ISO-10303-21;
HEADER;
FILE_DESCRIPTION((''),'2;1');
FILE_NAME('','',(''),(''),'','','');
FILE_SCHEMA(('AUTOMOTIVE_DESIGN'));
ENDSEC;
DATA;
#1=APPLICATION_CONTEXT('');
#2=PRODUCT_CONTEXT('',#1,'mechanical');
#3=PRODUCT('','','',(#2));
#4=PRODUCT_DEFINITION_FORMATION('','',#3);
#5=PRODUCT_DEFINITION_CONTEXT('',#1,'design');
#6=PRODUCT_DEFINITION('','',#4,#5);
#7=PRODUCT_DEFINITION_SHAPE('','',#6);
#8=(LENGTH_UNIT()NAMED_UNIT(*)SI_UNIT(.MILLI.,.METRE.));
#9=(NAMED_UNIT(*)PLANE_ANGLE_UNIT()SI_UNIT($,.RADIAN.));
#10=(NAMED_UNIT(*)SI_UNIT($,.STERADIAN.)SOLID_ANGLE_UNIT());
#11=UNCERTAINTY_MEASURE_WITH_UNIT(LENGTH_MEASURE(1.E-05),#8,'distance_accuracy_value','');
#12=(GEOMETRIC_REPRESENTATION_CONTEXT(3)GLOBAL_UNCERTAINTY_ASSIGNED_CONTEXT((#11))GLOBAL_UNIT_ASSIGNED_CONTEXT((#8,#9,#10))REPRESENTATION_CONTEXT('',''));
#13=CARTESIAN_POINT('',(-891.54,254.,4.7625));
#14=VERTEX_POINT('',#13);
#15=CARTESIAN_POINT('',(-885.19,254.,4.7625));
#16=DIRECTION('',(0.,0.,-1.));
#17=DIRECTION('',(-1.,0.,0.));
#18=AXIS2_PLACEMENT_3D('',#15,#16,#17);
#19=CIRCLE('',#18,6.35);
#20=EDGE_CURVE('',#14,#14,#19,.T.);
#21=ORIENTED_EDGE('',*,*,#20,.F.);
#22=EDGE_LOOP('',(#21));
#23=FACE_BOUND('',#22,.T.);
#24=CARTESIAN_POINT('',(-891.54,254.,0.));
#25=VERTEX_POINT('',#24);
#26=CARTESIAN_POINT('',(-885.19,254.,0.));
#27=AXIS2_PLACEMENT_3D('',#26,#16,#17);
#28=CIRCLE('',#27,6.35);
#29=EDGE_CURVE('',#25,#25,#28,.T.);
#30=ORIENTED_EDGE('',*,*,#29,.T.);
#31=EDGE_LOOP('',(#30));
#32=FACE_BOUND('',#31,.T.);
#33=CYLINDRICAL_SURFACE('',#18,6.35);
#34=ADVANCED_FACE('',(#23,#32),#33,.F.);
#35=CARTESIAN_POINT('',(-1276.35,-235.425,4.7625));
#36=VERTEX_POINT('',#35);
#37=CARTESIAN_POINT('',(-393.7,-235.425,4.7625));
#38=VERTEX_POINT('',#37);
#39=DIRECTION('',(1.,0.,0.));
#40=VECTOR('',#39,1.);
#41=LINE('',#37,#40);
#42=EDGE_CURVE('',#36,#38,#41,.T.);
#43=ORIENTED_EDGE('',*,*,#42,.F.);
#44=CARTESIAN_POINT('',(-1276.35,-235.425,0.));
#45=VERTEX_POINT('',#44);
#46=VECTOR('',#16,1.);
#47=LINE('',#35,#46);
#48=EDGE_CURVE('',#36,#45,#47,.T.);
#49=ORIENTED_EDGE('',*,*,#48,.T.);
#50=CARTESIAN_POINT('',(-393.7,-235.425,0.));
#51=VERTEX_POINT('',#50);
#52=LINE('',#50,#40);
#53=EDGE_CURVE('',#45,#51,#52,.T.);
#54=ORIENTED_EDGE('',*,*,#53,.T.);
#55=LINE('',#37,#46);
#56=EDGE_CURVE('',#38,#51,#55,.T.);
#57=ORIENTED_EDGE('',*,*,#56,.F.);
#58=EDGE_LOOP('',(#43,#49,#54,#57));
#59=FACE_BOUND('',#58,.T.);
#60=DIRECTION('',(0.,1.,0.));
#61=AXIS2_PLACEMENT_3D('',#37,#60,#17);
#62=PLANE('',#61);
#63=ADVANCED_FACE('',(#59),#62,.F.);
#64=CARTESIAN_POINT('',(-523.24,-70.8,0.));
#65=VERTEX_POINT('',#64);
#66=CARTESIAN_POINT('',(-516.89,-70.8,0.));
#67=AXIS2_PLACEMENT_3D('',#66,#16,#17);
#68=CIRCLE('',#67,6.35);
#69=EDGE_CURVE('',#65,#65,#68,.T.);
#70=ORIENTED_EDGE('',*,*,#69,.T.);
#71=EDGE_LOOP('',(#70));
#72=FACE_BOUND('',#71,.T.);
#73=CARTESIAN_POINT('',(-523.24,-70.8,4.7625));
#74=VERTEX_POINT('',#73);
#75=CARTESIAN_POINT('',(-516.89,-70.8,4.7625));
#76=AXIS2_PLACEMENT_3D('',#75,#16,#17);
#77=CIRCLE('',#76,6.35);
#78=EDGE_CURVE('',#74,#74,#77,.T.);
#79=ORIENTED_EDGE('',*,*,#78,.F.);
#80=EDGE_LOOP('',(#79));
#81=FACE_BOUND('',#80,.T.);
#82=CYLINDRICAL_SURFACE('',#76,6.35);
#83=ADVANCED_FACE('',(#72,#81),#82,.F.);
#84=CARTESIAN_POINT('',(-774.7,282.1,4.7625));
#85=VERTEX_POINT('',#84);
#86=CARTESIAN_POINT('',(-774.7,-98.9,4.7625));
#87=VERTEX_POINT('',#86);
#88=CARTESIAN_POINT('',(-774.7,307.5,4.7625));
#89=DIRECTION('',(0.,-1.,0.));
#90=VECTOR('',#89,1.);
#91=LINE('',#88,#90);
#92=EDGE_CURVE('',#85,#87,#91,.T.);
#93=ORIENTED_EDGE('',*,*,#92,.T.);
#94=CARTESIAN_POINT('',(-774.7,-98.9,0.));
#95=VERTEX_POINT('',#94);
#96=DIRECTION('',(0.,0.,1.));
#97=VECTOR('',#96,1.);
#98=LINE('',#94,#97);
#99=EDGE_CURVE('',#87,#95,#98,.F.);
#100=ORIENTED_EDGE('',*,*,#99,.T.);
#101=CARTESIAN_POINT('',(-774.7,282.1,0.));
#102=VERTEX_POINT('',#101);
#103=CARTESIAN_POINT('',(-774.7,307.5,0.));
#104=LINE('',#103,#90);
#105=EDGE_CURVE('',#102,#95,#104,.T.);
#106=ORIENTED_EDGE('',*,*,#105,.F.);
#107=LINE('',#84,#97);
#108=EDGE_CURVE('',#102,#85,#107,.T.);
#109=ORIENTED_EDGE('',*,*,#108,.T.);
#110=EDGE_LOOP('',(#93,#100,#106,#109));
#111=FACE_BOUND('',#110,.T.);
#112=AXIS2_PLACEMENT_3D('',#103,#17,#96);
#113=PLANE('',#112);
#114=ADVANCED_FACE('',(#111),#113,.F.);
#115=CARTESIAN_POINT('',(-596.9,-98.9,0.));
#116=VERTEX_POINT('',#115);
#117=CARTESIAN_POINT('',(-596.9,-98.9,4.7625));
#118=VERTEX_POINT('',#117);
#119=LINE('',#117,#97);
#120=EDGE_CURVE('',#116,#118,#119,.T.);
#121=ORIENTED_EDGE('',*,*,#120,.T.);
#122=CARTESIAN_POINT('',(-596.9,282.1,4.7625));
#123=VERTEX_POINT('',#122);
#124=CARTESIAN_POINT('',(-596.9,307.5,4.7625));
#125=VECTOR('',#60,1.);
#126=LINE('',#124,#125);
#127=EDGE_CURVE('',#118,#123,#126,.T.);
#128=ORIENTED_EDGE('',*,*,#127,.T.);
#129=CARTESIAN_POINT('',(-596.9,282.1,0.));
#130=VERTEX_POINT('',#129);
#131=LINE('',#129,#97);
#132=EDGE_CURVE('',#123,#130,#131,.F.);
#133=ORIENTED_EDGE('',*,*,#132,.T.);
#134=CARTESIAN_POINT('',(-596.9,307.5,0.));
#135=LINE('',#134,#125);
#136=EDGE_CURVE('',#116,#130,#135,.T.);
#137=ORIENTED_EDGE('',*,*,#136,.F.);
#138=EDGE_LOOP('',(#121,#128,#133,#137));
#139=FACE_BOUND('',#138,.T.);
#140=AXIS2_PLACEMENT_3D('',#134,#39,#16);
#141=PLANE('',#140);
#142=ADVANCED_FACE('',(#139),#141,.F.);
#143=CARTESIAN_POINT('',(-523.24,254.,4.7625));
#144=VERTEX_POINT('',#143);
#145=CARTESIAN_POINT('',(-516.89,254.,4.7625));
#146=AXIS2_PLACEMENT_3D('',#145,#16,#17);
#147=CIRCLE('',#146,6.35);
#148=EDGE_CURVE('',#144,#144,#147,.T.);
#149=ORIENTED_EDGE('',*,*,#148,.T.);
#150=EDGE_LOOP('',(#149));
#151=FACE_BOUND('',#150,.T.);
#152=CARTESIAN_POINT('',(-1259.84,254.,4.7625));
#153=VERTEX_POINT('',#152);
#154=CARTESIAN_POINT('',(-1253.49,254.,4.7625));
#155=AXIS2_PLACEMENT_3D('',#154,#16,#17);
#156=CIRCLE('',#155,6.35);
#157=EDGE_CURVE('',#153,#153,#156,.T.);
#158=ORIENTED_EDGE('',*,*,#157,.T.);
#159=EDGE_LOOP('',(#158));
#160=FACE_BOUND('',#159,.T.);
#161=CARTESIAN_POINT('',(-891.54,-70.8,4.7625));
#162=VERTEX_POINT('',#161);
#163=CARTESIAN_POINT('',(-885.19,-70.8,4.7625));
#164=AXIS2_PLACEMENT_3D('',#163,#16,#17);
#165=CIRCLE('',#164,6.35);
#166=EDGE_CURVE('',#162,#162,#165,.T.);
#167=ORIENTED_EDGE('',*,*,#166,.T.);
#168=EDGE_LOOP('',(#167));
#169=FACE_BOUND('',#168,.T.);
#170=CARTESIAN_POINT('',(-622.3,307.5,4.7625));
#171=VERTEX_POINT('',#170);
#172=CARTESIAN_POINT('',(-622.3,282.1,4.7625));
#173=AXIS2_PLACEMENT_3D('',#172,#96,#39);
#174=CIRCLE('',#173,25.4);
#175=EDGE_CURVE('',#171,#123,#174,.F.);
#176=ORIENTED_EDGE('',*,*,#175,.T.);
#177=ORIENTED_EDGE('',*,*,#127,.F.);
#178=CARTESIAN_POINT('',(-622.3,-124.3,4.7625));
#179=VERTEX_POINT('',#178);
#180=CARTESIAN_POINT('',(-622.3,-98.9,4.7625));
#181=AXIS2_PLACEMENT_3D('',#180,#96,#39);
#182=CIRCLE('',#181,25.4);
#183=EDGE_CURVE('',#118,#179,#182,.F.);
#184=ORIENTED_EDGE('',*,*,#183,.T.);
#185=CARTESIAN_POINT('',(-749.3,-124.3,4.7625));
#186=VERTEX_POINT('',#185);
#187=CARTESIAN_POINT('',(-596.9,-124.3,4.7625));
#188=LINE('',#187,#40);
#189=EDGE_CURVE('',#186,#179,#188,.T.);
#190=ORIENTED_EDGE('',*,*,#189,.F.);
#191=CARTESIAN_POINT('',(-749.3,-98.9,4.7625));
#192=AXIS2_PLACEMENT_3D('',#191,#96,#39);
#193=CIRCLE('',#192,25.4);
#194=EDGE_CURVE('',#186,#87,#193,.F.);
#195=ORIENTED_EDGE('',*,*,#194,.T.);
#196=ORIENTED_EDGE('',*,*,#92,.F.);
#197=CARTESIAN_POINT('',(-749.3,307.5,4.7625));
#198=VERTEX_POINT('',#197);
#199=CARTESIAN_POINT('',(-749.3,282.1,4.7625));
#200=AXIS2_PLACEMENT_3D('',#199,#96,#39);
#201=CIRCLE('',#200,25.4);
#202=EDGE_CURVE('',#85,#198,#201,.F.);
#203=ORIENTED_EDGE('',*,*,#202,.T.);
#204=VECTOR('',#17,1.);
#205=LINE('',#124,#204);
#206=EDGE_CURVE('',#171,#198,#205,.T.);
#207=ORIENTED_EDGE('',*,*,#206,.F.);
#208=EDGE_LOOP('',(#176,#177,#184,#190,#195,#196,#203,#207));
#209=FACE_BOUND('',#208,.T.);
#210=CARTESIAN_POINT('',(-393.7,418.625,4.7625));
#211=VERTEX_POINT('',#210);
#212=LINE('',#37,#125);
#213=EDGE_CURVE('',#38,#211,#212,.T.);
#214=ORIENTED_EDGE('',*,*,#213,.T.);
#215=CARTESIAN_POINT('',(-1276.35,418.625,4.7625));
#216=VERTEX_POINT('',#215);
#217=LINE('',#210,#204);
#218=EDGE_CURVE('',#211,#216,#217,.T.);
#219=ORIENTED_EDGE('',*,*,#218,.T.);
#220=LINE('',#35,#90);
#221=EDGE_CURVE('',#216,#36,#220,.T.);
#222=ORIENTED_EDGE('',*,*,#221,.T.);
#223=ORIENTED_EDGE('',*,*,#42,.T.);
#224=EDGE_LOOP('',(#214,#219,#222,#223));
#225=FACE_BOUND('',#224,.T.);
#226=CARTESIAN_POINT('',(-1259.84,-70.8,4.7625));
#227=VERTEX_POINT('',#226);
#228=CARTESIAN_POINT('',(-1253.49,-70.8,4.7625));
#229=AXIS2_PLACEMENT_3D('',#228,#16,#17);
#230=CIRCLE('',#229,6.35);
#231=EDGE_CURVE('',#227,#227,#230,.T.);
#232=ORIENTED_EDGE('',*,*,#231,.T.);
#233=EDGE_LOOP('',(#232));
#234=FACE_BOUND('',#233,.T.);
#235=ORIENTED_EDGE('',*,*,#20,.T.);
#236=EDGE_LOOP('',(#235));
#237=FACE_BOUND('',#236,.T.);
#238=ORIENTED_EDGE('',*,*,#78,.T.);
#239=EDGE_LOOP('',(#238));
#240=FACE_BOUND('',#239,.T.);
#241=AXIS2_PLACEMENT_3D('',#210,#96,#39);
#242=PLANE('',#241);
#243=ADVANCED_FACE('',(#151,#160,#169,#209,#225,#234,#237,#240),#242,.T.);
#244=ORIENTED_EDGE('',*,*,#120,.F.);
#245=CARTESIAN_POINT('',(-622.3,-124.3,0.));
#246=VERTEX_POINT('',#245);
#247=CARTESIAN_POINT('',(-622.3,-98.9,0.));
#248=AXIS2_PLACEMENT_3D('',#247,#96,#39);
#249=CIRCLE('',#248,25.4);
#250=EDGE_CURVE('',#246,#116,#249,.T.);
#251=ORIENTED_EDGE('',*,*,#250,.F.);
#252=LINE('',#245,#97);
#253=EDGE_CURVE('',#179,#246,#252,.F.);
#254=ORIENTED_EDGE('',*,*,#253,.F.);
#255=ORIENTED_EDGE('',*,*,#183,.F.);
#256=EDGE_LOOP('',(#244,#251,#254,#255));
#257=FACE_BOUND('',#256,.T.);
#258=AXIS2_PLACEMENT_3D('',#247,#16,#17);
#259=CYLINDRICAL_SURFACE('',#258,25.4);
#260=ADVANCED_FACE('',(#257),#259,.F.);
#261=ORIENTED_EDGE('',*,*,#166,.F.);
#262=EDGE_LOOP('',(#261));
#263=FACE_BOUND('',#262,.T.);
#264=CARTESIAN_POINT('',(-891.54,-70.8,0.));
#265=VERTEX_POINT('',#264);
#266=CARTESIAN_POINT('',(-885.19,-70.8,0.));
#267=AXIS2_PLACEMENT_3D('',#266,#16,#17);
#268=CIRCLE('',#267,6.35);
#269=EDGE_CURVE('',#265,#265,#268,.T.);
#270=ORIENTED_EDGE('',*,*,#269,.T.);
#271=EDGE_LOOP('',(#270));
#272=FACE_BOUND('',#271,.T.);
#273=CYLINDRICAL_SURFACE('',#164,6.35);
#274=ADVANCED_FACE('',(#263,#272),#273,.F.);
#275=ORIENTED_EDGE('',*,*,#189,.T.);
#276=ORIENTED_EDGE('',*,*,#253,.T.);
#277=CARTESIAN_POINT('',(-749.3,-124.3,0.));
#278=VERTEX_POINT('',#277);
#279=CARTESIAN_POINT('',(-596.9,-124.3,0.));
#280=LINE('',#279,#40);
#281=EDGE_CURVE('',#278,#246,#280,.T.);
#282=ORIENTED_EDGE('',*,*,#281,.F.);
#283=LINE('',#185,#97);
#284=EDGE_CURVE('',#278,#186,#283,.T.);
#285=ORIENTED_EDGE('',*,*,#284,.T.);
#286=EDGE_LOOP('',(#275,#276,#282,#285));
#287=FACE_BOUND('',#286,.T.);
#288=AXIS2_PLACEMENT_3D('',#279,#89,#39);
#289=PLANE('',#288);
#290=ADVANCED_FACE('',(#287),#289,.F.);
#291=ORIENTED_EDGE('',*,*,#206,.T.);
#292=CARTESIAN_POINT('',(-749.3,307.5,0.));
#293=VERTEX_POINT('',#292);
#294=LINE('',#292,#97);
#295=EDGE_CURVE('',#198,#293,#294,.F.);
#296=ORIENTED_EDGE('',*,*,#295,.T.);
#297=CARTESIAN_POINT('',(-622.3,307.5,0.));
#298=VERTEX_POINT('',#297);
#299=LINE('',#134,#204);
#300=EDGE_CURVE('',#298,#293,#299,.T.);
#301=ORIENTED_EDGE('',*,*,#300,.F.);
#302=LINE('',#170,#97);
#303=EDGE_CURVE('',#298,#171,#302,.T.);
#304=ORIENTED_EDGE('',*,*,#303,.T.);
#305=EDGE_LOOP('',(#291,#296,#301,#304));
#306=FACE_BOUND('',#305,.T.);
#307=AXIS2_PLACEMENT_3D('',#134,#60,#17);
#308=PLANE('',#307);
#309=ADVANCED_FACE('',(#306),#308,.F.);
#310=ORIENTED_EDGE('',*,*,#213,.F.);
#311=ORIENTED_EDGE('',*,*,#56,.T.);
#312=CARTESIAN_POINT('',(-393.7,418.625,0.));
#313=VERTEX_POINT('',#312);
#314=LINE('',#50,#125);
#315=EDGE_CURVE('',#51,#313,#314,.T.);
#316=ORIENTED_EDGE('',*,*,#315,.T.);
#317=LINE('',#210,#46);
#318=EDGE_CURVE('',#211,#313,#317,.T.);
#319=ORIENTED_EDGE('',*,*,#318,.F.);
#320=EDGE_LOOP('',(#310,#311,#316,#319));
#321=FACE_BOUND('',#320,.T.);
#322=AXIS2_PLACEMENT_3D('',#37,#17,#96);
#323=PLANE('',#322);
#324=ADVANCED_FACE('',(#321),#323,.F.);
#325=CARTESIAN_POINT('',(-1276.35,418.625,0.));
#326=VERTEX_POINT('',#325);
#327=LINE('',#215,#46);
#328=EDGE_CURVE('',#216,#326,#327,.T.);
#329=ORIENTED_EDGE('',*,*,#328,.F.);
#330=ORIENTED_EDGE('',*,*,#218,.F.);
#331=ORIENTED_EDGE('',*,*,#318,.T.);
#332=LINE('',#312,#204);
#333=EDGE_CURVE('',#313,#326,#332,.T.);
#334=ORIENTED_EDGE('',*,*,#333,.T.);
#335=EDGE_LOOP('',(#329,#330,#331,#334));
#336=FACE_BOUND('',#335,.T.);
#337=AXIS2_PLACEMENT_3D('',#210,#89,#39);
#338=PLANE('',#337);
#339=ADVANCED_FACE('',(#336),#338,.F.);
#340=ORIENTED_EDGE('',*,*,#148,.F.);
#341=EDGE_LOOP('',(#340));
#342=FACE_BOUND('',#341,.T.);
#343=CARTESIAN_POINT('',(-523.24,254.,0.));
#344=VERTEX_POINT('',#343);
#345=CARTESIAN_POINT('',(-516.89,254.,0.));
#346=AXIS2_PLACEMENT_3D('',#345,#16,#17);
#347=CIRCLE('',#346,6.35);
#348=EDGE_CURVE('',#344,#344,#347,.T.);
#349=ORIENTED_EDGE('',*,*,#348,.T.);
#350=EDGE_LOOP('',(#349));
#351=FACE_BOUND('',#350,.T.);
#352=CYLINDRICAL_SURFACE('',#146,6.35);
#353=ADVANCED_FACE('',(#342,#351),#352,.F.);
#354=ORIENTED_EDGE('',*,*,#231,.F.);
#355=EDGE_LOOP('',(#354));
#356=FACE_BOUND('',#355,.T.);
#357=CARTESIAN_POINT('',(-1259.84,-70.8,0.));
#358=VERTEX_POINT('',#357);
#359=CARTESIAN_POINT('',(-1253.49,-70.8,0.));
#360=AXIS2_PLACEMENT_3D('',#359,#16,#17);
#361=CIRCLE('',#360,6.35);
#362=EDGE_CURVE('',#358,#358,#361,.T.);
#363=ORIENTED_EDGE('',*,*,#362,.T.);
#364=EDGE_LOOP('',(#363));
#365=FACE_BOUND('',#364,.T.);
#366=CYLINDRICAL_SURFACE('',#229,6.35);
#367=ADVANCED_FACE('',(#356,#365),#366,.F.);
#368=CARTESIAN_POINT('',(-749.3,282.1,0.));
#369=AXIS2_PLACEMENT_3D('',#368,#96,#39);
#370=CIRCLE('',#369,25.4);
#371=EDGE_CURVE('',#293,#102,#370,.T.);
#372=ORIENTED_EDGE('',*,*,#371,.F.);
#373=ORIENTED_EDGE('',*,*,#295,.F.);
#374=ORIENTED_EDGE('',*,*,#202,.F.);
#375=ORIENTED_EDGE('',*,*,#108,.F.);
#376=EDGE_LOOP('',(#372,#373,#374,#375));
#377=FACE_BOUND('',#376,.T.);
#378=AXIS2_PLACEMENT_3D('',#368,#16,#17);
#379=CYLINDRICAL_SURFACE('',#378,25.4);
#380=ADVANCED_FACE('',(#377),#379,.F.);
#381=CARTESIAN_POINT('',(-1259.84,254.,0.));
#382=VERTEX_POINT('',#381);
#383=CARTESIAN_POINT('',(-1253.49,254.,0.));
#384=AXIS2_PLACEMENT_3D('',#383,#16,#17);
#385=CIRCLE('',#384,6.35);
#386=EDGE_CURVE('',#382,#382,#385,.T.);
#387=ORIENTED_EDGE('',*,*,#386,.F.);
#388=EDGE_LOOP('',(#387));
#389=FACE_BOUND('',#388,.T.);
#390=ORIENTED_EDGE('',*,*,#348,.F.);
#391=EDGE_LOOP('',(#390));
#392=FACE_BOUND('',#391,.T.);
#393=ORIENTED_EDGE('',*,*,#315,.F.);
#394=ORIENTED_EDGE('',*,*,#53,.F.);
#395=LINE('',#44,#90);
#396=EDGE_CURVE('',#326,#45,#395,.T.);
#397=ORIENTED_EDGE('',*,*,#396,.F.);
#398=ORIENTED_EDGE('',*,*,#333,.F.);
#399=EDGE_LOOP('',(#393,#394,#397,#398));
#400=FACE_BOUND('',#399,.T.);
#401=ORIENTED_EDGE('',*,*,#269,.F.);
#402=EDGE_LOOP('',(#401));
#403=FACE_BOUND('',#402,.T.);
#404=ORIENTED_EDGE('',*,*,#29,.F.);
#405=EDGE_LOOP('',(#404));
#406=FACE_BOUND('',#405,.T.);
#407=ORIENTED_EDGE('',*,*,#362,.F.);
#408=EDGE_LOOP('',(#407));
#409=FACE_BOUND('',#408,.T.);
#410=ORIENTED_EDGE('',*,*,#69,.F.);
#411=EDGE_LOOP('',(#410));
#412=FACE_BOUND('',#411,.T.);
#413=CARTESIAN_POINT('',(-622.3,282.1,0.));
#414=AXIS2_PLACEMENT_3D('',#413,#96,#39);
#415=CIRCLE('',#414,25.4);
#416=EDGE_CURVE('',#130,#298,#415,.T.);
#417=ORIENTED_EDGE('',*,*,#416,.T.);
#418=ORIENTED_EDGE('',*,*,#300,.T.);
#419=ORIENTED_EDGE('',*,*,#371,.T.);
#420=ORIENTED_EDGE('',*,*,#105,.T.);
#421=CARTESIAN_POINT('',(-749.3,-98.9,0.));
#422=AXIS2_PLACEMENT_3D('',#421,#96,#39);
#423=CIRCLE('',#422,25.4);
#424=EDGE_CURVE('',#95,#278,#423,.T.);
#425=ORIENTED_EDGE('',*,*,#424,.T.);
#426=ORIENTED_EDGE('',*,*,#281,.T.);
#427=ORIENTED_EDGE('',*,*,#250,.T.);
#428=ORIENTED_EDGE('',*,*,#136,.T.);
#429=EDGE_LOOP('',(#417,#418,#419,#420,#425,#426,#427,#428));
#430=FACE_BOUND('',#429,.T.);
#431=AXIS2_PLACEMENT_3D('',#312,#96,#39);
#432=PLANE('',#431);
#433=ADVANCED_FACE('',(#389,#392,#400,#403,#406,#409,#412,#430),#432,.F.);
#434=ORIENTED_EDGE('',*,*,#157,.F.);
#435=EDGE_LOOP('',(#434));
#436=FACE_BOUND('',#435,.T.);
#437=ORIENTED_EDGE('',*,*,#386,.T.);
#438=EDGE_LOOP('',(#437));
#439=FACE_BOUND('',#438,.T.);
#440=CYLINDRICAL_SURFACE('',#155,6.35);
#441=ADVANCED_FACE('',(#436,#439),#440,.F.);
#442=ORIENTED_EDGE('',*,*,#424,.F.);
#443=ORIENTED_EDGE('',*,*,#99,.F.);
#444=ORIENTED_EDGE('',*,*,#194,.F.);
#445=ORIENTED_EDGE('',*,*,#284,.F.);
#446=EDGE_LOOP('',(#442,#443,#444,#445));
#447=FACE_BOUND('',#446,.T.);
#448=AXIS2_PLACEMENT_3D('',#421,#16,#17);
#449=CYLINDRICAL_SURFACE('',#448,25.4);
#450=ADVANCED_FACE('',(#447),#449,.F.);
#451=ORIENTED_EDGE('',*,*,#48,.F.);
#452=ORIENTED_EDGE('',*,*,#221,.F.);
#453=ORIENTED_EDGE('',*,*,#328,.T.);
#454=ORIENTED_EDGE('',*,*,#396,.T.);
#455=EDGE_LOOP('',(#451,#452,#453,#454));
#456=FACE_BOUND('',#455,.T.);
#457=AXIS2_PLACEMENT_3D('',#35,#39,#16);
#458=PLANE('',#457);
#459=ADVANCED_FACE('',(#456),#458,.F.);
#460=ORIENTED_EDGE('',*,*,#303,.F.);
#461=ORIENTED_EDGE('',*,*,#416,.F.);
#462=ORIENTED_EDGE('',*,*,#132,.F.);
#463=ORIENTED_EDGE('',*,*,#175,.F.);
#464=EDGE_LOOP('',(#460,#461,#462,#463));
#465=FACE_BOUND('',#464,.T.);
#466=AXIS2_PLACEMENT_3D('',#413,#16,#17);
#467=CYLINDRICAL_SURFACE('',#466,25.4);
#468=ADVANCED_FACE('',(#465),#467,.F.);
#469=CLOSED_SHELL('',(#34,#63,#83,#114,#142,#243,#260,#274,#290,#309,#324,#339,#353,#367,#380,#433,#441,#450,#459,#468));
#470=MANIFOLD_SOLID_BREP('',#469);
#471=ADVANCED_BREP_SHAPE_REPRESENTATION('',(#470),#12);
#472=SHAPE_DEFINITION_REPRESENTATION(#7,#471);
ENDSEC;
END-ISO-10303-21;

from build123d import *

# Parameters (mm, degrees)
SKETCH1_W          = 882.65
SKETCH1_H          = 654.05
EXTRUDE1_DEPTH     = 4.7625
SKETCH2_R          = 6.35
CUT_EXTRUDE1_DEPTH = 5.7625
SKETCH3_W          = 177.8
SKETCH3_H          = 431.8
CUT_EXTRUDE2_DEPTH = 5.7625
FILLET1_R          = 25.4


with BuildPart() as part:
    # Sketch1 → Extrude1 (new body)
    with BuildSketch(Plane.XY):
        with Locations((-835.025, 91.6)):
            Rectangle(SKETCH1_W, SKETCH1_H)
    extrude(amount=EXTRUDE1_DEPTH)

    # Sketch2 → Cut-Extrude1 (cut, through all)
    with BuildSketch(Plane(origin=(0, 0, 0), x_dir=(-1, 0, 0), z_dir=(0, 0, -1))):
        with Locations((516.89, 254)):
            Circle(SKETCH2_R)
        with Locations((516.89, -70.8)):
            Circle(SKETCH2_R)
        with Locations((885.19, 254)):
            Circle(SKETCH2_R)
        with Locations((885.19, -70.8)):
            Circle(SKETCH2_R)
        with Locations((1253.49, -70.8)):
            Circle(SKETCH2_R)
        with Locations((1253.49, 254)):
            Circle(SKETCH2_R)
    extrude(amount=-CUT_EXTRUDE1_DEPTH, mode=Mode.SUBTRACT)

    # Sketch3 → Cut-Extrude2 (cut, through all)
    with BuildSketch(Plane.XY.offset(4.7625)):
        with Locations((-685.8, 91.6)):
            Rectangle(SKETCH3_W, SKETCH3_H)
    extrude(amount=-CUT_EXTRUDE2_DEPTH, mode=Mode.SUBTRACT)

    # Fillet1
    fillet1_edges = [part.edges().sort_by_distance(p)[0] for p in [
        (-596.9, 307.5, 2.38125),
        (-596.9, -124.3, 2.38125),
        (-774.7, -124.3, 2.38125),
        (-774.7, 307.5, 2.38125),
    ]]
    fillet(fillet1_edges, radius=FILLET1_R)


solid = part.part
